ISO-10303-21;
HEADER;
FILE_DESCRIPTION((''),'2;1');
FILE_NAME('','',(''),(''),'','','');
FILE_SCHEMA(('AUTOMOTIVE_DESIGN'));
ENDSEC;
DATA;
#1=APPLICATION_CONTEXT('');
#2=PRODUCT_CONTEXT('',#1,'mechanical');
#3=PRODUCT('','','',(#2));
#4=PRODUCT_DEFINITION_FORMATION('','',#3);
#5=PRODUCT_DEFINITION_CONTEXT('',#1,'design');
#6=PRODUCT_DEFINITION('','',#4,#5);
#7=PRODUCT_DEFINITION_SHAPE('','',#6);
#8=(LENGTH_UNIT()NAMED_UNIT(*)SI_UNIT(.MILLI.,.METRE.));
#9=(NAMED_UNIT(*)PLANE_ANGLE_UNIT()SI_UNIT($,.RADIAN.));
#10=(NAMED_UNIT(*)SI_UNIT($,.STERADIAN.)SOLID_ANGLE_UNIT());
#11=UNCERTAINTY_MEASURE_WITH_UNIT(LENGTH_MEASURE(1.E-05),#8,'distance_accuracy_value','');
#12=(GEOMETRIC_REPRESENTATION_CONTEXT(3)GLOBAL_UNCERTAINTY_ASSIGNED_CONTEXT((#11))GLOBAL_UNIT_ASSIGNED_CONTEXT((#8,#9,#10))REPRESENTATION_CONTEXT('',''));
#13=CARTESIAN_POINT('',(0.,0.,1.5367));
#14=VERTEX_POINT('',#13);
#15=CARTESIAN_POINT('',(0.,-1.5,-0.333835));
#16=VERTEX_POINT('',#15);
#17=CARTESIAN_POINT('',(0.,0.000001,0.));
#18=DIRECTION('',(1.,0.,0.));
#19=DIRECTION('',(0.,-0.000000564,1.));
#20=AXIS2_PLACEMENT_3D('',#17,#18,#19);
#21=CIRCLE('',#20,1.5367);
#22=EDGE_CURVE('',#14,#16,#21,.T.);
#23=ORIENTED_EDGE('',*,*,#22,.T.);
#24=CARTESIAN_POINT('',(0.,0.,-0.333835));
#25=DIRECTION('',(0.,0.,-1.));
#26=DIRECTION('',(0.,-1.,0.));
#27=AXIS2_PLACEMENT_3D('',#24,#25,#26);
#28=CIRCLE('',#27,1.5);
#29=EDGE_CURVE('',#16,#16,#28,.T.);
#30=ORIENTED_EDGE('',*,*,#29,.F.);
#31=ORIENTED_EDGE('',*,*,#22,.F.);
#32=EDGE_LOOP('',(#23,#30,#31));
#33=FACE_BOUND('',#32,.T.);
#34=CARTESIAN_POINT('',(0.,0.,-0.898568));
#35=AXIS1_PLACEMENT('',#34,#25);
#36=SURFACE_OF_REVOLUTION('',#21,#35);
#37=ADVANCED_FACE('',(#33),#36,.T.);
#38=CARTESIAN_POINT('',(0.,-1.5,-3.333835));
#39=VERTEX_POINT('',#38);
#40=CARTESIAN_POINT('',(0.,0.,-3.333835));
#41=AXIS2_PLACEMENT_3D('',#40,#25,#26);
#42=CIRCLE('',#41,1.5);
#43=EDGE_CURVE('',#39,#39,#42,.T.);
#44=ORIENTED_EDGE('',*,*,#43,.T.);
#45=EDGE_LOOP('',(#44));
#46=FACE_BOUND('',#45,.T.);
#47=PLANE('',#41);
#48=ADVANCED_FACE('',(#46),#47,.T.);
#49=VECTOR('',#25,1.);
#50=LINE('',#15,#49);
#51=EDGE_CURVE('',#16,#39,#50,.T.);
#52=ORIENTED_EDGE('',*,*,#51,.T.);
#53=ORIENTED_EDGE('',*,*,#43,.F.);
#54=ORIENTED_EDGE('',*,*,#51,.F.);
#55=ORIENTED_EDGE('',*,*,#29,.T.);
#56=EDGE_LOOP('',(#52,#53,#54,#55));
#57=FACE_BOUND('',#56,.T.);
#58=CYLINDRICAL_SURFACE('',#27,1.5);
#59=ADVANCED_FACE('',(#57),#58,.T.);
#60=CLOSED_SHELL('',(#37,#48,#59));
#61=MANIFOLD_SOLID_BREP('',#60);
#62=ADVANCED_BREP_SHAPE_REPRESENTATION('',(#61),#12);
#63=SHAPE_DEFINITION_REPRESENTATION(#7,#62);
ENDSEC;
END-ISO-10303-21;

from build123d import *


with BuildPart() as f1:
    # F0 (on Right) → F1 (revolve)
    with BuildSketch(Plane.YZ):
        with BuildLine():
            Line((0, -3.333835), (0, 1.5367))
            ThreePointArc((0, 1.5367), (-1.198843, 0.961364), (-1.5, -0.333835))
            Line((-1.5, -0.333835), (-1.5, -3.333835))
            Line((-1.5, -3.333835), (0, -3.333835))
        make_face()
    revolve(axis=Axis((0, 0, -0.898568), (0, 0, -1)))


solid = f1.part
